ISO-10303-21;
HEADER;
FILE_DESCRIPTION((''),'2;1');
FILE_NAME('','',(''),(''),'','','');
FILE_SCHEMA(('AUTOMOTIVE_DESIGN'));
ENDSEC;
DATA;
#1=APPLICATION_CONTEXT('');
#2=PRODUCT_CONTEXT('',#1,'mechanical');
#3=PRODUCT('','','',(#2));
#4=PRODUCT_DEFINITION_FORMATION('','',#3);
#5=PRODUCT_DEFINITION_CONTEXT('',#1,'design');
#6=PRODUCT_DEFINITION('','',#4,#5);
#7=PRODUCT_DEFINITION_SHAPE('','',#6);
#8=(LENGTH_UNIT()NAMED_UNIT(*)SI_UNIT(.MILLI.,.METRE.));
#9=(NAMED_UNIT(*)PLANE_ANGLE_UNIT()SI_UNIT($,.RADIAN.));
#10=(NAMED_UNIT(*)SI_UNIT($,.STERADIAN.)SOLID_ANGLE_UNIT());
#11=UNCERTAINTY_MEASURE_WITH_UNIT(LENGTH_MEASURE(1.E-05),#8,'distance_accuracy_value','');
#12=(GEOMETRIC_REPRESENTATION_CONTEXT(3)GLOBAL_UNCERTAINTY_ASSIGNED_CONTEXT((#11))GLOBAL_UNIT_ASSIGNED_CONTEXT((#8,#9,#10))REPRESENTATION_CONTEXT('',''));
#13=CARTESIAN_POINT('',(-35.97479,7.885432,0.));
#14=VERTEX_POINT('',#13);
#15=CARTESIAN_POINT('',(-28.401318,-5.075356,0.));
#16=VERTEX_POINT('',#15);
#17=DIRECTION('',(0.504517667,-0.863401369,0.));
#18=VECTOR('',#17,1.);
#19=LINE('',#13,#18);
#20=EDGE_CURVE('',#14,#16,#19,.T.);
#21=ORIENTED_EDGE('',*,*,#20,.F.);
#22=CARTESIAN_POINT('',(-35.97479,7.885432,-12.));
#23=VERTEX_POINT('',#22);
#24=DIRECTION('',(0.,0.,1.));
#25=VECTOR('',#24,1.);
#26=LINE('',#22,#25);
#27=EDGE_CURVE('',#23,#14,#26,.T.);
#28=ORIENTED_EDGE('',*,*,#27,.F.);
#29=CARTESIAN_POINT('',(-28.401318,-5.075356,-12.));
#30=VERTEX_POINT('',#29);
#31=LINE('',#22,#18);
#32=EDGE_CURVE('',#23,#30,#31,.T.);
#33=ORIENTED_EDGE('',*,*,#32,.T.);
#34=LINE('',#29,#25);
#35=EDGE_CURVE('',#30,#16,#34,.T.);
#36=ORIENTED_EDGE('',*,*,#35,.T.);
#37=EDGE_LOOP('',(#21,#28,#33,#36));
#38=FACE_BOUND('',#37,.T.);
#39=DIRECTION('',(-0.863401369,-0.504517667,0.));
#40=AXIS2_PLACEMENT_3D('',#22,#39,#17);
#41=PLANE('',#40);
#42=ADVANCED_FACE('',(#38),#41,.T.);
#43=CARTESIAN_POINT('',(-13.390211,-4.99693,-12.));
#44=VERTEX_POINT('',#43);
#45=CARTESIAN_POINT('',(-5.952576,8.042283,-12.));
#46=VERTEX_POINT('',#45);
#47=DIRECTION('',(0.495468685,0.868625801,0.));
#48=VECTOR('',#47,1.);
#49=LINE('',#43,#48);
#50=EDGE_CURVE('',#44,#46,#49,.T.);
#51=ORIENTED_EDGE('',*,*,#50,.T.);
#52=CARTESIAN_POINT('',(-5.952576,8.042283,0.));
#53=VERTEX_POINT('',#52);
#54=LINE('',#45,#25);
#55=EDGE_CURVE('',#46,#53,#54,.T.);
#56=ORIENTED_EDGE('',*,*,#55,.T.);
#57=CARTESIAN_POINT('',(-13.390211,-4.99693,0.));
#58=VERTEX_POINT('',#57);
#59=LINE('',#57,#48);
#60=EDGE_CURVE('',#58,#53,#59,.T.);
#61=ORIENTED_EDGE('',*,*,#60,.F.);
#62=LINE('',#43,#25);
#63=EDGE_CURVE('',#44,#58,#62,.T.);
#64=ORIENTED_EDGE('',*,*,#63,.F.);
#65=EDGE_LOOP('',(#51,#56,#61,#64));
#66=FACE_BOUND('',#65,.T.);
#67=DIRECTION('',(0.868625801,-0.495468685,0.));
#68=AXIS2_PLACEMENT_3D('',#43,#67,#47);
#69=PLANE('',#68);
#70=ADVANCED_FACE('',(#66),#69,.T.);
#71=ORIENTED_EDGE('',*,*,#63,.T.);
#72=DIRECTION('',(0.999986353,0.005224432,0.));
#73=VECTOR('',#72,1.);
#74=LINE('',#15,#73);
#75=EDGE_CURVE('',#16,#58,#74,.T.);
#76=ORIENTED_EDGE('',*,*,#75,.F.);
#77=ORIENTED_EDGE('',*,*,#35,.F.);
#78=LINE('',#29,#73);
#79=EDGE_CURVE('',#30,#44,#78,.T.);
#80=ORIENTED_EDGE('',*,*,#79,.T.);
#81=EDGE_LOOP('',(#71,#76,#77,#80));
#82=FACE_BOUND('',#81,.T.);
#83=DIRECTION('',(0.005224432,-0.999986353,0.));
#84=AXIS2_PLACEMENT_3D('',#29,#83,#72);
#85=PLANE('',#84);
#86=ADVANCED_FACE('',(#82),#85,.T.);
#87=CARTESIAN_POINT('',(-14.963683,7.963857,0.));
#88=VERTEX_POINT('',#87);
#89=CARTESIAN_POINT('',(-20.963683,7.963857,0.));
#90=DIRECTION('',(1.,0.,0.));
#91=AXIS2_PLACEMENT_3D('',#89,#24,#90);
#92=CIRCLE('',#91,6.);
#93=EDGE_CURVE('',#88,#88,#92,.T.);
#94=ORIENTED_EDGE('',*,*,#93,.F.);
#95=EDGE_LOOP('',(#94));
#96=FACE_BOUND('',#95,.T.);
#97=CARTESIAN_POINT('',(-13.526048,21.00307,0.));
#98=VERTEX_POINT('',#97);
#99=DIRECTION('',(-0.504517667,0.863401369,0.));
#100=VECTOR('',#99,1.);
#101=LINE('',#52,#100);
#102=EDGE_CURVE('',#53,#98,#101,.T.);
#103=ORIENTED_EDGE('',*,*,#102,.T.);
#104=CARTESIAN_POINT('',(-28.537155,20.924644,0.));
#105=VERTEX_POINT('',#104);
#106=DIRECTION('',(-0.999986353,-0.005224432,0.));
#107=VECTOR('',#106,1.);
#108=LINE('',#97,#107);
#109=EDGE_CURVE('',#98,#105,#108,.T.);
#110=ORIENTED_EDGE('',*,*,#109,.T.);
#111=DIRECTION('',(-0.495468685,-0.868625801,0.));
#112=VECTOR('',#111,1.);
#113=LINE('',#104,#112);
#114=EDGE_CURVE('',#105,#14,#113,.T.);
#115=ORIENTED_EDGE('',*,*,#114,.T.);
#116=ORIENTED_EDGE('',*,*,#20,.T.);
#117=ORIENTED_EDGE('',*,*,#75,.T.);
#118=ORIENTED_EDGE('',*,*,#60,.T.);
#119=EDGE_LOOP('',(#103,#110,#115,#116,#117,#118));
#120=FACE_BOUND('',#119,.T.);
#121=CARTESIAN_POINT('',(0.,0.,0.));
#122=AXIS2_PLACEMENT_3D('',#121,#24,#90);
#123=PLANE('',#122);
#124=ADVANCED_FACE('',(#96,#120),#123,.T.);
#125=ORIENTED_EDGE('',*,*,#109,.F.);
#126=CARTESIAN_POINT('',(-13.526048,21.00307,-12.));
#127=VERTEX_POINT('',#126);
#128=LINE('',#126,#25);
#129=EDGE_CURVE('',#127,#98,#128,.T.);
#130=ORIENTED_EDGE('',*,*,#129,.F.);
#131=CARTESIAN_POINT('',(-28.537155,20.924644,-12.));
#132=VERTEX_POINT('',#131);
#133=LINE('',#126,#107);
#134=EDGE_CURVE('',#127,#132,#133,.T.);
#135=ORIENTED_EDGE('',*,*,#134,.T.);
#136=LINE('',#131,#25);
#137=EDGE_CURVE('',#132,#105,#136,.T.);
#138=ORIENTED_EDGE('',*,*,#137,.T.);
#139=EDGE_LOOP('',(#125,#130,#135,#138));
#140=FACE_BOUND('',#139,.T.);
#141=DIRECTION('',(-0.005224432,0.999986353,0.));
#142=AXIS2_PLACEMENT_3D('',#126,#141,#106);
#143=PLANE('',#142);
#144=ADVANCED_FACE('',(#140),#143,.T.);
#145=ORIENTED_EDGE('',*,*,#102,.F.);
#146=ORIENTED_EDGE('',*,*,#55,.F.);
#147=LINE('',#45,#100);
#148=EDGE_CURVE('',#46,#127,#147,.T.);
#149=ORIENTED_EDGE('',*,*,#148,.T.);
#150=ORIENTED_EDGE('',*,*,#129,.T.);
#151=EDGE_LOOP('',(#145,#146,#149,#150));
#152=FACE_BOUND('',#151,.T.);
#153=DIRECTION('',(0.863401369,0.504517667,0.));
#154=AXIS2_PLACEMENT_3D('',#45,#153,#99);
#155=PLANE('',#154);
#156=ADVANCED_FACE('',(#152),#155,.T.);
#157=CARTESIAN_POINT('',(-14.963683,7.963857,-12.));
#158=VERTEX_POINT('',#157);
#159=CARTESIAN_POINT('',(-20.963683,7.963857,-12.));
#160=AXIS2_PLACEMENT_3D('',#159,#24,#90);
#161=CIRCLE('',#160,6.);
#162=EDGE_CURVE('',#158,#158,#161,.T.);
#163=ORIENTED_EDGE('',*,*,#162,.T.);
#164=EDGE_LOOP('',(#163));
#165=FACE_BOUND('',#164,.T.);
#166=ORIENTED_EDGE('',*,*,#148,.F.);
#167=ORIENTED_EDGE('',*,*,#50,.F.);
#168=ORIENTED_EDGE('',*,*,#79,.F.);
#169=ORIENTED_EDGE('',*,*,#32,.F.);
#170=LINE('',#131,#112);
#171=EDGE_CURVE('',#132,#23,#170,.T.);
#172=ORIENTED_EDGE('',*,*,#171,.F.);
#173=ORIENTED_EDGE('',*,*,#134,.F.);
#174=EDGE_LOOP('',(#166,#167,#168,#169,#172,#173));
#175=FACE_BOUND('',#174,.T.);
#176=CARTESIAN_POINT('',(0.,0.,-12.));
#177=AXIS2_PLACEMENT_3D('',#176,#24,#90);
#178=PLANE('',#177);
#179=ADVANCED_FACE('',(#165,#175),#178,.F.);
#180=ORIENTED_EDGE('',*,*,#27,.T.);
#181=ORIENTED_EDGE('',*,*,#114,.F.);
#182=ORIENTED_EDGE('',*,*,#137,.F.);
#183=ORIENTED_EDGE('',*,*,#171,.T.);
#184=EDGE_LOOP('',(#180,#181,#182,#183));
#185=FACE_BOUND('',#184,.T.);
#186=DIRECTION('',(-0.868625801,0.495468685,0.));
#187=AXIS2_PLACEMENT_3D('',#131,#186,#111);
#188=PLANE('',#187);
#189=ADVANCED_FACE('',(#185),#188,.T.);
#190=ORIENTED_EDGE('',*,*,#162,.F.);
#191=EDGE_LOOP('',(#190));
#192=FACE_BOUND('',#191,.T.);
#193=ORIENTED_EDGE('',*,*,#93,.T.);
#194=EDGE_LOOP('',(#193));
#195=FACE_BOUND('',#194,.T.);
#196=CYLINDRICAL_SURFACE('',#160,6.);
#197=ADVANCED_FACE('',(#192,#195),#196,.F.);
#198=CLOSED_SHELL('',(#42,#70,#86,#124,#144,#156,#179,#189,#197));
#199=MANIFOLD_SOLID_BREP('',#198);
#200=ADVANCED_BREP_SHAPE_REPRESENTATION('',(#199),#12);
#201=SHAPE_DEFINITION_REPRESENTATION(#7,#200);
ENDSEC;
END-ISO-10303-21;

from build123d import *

# Parameters (mm, degrees)
SKETCH1_R           = 6
BOSS_EXTRUDE1_DEPTH = 12


with BuildPart() as part:
    # Sketch1 → Boss-Extrude1 (new body)
    with BuildSketch(Plane.XY):
        Polygon((-13.390210882, -4.996930009), (-5.952575928, 8.042282782), (-13.526047972, 21.003069991), (-28.537154971, 20.924644411), (-35.974789926, 7.885431621), (-28.401317881, -5.075355589), align=None)
        with Locations((-20.963682927, 7.963857201)):
            Circle(SKETCH1_R, mode=Mode.SUBTRACT)
    extrude(amount=-BOSS_EXTRUDE1_DEPTH)


solid = part.part
